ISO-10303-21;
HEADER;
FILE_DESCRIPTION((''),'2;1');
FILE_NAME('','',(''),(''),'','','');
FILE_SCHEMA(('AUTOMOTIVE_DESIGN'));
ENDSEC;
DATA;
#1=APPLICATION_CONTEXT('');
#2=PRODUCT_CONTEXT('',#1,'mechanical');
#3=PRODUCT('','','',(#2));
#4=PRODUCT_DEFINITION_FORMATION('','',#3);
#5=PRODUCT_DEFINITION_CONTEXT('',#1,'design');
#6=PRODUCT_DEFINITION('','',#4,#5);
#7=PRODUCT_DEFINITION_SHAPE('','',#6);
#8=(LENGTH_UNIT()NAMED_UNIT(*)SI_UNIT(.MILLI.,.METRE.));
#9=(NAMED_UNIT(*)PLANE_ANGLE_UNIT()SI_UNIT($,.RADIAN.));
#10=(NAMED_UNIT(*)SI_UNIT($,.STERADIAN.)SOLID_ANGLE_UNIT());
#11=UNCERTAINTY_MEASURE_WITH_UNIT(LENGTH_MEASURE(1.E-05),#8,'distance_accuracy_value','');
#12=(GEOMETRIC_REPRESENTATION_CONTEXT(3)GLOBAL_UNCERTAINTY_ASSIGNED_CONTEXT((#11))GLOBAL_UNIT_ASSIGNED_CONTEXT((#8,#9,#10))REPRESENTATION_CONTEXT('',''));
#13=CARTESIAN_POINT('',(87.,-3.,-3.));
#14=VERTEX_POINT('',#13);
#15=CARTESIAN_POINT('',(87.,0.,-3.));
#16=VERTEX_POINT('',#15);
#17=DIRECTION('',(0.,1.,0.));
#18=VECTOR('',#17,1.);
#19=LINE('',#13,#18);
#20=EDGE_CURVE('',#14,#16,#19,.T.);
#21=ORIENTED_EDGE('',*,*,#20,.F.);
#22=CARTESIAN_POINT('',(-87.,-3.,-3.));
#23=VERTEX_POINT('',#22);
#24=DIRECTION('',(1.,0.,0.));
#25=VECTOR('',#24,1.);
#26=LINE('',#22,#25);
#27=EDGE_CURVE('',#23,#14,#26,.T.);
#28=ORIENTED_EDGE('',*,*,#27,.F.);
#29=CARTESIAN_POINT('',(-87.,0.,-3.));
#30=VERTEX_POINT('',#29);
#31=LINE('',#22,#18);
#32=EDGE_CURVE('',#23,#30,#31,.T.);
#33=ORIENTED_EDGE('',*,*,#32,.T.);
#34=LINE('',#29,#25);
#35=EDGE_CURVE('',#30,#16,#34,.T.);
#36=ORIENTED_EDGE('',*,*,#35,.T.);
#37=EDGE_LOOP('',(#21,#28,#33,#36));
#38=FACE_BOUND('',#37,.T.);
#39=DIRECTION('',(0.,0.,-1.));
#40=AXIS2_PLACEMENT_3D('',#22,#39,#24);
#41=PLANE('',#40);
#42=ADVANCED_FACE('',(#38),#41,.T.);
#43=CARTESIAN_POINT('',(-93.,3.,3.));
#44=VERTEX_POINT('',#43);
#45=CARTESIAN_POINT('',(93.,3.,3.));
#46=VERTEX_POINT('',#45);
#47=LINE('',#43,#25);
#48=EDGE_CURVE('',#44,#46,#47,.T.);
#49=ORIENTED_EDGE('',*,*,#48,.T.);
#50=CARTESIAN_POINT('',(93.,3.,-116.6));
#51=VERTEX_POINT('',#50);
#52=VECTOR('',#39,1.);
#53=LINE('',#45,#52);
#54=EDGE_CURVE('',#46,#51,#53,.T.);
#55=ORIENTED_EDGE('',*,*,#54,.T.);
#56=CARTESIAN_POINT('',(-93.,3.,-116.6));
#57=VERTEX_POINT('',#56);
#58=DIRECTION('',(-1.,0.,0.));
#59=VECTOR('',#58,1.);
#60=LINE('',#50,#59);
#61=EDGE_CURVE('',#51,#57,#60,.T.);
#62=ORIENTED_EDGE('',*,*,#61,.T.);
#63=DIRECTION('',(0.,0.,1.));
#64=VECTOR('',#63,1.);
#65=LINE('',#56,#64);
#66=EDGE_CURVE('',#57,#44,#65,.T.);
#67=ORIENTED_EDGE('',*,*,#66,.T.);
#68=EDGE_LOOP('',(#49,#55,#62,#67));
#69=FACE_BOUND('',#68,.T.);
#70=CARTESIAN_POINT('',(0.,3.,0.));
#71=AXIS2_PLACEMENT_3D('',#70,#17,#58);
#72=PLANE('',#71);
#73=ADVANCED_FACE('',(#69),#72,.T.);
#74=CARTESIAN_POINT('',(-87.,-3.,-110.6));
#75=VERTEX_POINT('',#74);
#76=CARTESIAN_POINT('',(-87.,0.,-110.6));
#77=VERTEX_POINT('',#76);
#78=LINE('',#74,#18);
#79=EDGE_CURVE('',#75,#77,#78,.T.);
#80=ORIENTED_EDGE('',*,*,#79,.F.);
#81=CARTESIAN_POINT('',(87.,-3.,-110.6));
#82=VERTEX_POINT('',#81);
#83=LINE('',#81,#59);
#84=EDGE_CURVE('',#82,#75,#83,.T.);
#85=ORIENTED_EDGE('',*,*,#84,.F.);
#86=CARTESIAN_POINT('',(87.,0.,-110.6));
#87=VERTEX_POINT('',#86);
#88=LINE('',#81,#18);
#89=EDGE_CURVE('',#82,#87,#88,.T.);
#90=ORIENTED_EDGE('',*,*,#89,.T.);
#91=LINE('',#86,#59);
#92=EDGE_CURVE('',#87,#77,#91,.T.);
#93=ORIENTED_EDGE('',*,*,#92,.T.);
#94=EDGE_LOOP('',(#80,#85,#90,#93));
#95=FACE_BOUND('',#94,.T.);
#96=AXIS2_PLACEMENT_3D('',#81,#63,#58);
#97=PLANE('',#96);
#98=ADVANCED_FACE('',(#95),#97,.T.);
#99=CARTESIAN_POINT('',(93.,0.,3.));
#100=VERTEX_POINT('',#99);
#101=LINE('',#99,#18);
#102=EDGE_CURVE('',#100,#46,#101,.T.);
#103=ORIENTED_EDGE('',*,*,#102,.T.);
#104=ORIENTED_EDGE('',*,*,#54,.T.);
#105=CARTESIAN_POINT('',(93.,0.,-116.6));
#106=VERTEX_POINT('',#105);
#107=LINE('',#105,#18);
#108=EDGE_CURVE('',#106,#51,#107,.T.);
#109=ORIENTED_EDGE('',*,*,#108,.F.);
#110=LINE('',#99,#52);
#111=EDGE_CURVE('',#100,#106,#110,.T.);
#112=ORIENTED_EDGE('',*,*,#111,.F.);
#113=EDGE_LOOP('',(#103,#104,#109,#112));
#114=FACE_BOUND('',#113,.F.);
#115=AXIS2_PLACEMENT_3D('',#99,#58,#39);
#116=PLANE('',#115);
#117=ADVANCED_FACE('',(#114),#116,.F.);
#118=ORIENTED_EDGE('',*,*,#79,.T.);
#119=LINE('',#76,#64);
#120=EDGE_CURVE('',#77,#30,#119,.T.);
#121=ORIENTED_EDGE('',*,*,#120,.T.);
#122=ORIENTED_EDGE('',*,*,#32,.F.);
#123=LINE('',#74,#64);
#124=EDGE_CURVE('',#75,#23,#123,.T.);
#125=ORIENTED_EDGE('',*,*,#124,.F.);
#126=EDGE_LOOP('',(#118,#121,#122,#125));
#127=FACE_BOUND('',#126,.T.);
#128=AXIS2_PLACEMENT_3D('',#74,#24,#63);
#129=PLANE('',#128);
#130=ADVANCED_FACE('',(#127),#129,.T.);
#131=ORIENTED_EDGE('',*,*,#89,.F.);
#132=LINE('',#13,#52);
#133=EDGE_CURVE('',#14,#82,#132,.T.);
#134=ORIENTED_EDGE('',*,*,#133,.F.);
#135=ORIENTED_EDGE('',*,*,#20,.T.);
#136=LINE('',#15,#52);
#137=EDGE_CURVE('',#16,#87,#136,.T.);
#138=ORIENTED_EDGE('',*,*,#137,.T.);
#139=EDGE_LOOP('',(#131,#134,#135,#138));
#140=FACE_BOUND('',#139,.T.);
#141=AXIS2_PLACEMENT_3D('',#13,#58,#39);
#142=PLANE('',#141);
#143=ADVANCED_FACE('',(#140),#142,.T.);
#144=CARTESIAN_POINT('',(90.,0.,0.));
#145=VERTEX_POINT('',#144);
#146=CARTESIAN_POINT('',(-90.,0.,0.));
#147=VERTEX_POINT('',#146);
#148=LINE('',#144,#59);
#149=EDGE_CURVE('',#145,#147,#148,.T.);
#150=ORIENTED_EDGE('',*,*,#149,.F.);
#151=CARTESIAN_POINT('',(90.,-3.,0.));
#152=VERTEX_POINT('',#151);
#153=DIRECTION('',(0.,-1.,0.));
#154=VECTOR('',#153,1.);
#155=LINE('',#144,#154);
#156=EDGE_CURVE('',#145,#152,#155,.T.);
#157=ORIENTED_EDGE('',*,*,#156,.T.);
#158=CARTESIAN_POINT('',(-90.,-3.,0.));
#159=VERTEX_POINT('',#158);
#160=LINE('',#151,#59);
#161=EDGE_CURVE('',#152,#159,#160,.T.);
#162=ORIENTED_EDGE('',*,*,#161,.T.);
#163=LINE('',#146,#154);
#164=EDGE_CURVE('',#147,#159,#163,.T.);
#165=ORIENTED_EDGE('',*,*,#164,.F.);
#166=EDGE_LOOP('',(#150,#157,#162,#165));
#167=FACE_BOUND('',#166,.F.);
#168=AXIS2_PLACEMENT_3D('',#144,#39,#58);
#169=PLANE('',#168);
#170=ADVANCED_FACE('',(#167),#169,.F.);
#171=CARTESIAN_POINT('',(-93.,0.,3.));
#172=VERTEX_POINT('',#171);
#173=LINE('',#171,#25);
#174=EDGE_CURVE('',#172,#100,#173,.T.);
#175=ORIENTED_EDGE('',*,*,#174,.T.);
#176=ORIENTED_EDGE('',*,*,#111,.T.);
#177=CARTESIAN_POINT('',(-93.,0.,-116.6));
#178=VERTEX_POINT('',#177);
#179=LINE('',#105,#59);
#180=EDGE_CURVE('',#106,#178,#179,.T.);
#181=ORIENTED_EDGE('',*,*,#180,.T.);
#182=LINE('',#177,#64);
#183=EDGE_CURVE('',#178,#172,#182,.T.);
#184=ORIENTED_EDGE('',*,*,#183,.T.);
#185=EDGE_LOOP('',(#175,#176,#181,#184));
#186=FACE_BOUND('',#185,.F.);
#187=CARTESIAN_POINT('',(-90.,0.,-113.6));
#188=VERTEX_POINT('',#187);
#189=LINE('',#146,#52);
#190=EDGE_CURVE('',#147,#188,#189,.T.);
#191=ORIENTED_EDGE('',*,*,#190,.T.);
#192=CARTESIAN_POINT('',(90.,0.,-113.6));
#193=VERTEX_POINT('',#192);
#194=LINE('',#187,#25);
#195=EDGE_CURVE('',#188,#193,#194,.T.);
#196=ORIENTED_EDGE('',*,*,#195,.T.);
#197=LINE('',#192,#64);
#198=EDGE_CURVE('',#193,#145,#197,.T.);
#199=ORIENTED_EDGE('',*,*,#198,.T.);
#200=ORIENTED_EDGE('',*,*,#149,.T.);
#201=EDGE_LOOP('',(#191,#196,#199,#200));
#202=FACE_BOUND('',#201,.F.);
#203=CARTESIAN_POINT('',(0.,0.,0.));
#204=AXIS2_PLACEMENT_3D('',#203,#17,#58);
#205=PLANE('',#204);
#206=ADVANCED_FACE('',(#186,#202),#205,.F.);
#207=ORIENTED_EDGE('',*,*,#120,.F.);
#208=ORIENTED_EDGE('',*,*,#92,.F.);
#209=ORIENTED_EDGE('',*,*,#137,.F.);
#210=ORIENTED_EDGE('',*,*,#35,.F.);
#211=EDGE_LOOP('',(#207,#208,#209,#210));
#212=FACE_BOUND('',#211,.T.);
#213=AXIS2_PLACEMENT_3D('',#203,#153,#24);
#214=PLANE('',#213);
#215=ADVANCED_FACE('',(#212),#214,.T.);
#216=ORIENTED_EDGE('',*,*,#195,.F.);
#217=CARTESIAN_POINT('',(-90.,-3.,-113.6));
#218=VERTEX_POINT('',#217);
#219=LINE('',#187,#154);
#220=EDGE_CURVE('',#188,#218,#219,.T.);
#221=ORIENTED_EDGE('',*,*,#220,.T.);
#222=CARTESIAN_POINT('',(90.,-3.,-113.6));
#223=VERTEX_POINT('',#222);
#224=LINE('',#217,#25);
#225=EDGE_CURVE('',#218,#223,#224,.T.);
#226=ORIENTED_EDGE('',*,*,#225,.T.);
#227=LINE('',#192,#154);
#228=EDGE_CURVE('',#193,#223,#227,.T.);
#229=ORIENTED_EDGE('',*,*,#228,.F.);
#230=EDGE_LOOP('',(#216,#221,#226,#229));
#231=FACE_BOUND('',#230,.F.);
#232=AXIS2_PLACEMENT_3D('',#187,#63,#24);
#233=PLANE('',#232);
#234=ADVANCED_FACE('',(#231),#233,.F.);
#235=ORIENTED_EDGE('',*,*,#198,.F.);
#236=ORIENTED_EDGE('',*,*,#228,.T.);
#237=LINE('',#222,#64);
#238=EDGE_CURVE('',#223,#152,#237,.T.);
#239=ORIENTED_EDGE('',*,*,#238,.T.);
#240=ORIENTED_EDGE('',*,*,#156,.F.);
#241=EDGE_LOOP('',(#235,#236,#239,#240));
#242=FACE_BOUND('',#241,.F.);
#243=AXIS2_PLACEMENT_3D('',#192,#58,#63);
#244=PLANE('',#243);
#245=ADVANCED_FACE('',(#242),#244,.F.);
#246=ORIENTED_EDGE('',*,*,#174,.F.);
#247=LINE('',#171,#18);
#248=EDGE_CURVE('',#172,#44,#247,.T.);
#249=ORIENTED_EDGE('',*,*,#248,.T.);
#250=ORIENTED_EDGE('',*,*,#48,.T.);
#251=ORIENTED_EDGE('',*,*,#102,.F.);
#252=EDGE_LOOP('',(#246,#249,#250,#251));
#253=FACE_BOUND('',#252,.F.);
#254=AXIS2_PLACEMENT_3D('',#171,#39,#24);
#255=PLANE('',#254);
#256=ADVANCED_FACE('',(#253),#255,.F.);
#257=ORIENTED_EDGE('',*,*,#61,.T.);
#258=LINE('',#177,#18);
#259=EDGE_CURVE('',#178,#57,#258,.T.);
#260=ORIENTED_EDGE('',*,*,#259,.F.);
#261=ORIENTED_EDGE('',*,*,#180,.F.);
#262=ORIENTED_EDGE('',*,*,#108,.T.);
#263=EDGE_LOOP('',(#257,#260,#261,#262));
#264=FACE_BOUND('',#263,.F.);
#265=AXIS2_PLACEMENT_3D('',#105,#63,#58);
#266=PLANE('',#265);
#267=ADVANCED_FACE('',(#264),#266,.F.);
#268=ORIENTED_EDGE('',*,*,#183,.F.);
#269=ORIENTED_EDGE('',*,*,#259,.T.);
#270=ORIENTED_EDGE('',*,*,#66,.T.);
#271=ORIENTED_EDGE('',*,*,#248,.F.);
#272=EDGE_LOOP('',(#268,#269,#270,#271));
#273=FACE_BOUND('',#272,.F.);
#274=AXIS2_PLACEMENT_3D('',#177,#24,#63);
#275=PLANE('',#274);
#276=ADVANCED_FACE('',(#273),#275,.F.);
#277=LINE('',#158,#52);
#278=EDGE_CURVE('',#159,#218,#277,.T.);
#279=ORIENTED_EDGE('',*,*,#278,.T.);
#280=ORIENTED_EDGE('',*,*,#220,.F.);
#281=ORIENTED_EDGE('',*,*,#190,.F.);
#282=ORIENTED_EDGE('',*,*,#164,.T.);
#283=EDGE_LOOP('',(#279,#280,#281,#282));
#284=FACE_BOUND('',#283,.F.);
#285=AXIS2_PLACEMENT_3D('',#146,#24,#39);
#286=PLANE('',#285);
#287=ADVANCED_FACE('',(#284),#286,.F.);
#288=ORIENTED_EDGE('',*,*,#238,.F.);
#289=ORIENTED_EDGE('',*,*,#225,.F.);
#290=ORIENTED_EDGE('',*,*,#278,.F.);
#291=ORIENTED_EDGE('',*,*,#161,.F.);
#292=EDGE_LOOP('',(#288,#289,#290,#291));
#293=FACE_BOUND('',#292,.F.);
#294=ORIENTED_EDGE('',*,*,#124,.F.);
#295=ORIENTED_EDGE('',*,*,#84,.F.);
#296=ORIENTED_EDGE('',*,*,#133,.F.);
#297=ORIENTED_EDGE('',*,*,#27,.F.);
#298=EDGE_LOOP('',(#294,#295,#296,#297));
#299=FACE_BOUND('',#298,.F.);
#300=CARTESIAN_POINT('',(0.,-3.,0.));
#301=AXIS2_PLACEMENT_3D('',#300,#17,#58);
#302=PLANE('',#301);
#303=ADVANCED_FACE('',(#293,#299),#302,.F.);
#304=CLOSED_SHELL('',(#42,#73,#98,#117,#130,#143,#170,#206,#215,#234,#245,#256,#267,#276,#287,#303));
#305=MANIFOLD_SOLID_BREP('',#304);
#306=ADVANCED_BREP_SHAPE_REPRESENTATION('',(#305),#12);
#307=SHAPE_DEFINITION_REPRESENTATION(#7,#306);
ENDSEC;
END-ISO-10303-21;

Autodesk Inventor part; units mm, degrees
ref_plane "YZ Plane" through (0, 0, 0) normal (1, 0, 0) x (0, 1, 0)
ref_plane "XZ Plane" through (0, 0, 0) normal (0, 1, 0) x (-1, 0, 0)
sketch "Sketch1" plane through (0, 0, 0) normal (0, 1, 0) x (-1, 0, 0)
  line L0 (90, -113.6) -> (-90, -113.6)
  line L1 (-90, -113.6) -> (-90, 0)
  line L2 (-90, 0) -> (90, 0)
  line L3 (90, 0) -> (90, -113.6)
  line L4 (-93, -116.6) -> (93, -116.6)
  line L5 (93, -116.6) -> (93, 3)
  line L6 (93, 3) -> (-93, 3)
  line L7 (-93, 3) -> (-93, -116.6)
  point P0 (0, 0)
  point P1 (0, 0)
  dimension "d0" = 180
  dimension "d1" = 113.6
  dimension "d2" = 3
extrude "Extrusion1" add sketch "Sketch1" along normal blind 3 contours L0 L1 L2 L3 | L7 L6 L5 L4
extrude "Extrusion2" add sketch "Sketch1" against normal blind 3 contours L0 L1 L2 L3
ref_plane "Work Plane1" through (-93, 0, -56.8) normal (0, 0, 1) x (1, 0, 0)
sketch "Sketch2" plane through (-93, 0, -56.8) normal (0, 0, 1) x (1, 0, 0)
  line L0 (0, 3) -> (186, 3) projected
  line L1 (159.34, 3) -> (146.166, 3)
  line L2 (146.166, 3) -> (142.9018, 10)
  line L3 (142.9018, 10) -> (162.6042, 10)
  line L4 (162.6042, 10) -> (159.34, 3)
  line L5 (119.506, 3) -> (106.332, 3)
  line L6 (106.332, 3) -> (103.0678, 10)
  line L7 (103.0678, 10) -> (122.7702, 10)
  line L8 (122.7702, 10) -> (119.506, 3)
  line L9 (93, 3) -> (93, -12.5812) construction
  line L10 (26.66, 3) -> (39.834, 3)
  line L11 (39.834, 3) -> (43.0982, 10)
  line L12 (43.0982, 10) -> (23.3958, 10)
  line L13 (23.3958, 10) -> (26.66, 3)
  line L14 (66.494, 3) -> (79.668, 3)
  line L15 (79.668, 3) -> (82.9322, 10)
  line L16 (82.9322, 10) -> (63.2298, 10)
  line L17 (63.2298, 10) -> (66.494, 3)
  point P0 (93, 0)
  point P1 (26.66, 3)
  point P2 (39.834, 3)
  point P3 (66.494, 3)
  point P4 (79.668, 3)
  dimension "d7" = 13.174
  dimension "d8" = 13.174
  dimension "d9" = 65
  dimension "d10" = 65
  dimension "d11" = 7
  dimension "d12" = 26.66
  dimension "d13" = 26.66
extrude "Extrusion3" [suppressed]
sketch "Sketch3" plane through (0, -3, 0) normal (0, -1, 0) x (1, 0, 0)
  line L0 (-87, -3) -> (87, -3)
  line L1 (87, -3) -> (87, -110.6)
  line L2 (87, -110.6) -> (-87, -110.6)
  line L3 (-87, -110.6) -> (-87, -3)
  line L4 (90, 0) -> (-90, 0) projected
  line L5 (-90, 0) -> (-90, -113.6) projected
  line L6 (-90, -113.6) -> (90, -113.6) projected
  line L7 (90, -113.6) -> (90, 0) projected
  point P0 (0, 0)
  dimension "d16" = 3
  dimension "d17" = 3
  dimension "d18" = 3
  dimension "d19" = 3
extrude "Extrusion4" cut sketch "Sketch3" against normal blind 3 contours L0 L1 L2 L3
properties part number "Lid"
